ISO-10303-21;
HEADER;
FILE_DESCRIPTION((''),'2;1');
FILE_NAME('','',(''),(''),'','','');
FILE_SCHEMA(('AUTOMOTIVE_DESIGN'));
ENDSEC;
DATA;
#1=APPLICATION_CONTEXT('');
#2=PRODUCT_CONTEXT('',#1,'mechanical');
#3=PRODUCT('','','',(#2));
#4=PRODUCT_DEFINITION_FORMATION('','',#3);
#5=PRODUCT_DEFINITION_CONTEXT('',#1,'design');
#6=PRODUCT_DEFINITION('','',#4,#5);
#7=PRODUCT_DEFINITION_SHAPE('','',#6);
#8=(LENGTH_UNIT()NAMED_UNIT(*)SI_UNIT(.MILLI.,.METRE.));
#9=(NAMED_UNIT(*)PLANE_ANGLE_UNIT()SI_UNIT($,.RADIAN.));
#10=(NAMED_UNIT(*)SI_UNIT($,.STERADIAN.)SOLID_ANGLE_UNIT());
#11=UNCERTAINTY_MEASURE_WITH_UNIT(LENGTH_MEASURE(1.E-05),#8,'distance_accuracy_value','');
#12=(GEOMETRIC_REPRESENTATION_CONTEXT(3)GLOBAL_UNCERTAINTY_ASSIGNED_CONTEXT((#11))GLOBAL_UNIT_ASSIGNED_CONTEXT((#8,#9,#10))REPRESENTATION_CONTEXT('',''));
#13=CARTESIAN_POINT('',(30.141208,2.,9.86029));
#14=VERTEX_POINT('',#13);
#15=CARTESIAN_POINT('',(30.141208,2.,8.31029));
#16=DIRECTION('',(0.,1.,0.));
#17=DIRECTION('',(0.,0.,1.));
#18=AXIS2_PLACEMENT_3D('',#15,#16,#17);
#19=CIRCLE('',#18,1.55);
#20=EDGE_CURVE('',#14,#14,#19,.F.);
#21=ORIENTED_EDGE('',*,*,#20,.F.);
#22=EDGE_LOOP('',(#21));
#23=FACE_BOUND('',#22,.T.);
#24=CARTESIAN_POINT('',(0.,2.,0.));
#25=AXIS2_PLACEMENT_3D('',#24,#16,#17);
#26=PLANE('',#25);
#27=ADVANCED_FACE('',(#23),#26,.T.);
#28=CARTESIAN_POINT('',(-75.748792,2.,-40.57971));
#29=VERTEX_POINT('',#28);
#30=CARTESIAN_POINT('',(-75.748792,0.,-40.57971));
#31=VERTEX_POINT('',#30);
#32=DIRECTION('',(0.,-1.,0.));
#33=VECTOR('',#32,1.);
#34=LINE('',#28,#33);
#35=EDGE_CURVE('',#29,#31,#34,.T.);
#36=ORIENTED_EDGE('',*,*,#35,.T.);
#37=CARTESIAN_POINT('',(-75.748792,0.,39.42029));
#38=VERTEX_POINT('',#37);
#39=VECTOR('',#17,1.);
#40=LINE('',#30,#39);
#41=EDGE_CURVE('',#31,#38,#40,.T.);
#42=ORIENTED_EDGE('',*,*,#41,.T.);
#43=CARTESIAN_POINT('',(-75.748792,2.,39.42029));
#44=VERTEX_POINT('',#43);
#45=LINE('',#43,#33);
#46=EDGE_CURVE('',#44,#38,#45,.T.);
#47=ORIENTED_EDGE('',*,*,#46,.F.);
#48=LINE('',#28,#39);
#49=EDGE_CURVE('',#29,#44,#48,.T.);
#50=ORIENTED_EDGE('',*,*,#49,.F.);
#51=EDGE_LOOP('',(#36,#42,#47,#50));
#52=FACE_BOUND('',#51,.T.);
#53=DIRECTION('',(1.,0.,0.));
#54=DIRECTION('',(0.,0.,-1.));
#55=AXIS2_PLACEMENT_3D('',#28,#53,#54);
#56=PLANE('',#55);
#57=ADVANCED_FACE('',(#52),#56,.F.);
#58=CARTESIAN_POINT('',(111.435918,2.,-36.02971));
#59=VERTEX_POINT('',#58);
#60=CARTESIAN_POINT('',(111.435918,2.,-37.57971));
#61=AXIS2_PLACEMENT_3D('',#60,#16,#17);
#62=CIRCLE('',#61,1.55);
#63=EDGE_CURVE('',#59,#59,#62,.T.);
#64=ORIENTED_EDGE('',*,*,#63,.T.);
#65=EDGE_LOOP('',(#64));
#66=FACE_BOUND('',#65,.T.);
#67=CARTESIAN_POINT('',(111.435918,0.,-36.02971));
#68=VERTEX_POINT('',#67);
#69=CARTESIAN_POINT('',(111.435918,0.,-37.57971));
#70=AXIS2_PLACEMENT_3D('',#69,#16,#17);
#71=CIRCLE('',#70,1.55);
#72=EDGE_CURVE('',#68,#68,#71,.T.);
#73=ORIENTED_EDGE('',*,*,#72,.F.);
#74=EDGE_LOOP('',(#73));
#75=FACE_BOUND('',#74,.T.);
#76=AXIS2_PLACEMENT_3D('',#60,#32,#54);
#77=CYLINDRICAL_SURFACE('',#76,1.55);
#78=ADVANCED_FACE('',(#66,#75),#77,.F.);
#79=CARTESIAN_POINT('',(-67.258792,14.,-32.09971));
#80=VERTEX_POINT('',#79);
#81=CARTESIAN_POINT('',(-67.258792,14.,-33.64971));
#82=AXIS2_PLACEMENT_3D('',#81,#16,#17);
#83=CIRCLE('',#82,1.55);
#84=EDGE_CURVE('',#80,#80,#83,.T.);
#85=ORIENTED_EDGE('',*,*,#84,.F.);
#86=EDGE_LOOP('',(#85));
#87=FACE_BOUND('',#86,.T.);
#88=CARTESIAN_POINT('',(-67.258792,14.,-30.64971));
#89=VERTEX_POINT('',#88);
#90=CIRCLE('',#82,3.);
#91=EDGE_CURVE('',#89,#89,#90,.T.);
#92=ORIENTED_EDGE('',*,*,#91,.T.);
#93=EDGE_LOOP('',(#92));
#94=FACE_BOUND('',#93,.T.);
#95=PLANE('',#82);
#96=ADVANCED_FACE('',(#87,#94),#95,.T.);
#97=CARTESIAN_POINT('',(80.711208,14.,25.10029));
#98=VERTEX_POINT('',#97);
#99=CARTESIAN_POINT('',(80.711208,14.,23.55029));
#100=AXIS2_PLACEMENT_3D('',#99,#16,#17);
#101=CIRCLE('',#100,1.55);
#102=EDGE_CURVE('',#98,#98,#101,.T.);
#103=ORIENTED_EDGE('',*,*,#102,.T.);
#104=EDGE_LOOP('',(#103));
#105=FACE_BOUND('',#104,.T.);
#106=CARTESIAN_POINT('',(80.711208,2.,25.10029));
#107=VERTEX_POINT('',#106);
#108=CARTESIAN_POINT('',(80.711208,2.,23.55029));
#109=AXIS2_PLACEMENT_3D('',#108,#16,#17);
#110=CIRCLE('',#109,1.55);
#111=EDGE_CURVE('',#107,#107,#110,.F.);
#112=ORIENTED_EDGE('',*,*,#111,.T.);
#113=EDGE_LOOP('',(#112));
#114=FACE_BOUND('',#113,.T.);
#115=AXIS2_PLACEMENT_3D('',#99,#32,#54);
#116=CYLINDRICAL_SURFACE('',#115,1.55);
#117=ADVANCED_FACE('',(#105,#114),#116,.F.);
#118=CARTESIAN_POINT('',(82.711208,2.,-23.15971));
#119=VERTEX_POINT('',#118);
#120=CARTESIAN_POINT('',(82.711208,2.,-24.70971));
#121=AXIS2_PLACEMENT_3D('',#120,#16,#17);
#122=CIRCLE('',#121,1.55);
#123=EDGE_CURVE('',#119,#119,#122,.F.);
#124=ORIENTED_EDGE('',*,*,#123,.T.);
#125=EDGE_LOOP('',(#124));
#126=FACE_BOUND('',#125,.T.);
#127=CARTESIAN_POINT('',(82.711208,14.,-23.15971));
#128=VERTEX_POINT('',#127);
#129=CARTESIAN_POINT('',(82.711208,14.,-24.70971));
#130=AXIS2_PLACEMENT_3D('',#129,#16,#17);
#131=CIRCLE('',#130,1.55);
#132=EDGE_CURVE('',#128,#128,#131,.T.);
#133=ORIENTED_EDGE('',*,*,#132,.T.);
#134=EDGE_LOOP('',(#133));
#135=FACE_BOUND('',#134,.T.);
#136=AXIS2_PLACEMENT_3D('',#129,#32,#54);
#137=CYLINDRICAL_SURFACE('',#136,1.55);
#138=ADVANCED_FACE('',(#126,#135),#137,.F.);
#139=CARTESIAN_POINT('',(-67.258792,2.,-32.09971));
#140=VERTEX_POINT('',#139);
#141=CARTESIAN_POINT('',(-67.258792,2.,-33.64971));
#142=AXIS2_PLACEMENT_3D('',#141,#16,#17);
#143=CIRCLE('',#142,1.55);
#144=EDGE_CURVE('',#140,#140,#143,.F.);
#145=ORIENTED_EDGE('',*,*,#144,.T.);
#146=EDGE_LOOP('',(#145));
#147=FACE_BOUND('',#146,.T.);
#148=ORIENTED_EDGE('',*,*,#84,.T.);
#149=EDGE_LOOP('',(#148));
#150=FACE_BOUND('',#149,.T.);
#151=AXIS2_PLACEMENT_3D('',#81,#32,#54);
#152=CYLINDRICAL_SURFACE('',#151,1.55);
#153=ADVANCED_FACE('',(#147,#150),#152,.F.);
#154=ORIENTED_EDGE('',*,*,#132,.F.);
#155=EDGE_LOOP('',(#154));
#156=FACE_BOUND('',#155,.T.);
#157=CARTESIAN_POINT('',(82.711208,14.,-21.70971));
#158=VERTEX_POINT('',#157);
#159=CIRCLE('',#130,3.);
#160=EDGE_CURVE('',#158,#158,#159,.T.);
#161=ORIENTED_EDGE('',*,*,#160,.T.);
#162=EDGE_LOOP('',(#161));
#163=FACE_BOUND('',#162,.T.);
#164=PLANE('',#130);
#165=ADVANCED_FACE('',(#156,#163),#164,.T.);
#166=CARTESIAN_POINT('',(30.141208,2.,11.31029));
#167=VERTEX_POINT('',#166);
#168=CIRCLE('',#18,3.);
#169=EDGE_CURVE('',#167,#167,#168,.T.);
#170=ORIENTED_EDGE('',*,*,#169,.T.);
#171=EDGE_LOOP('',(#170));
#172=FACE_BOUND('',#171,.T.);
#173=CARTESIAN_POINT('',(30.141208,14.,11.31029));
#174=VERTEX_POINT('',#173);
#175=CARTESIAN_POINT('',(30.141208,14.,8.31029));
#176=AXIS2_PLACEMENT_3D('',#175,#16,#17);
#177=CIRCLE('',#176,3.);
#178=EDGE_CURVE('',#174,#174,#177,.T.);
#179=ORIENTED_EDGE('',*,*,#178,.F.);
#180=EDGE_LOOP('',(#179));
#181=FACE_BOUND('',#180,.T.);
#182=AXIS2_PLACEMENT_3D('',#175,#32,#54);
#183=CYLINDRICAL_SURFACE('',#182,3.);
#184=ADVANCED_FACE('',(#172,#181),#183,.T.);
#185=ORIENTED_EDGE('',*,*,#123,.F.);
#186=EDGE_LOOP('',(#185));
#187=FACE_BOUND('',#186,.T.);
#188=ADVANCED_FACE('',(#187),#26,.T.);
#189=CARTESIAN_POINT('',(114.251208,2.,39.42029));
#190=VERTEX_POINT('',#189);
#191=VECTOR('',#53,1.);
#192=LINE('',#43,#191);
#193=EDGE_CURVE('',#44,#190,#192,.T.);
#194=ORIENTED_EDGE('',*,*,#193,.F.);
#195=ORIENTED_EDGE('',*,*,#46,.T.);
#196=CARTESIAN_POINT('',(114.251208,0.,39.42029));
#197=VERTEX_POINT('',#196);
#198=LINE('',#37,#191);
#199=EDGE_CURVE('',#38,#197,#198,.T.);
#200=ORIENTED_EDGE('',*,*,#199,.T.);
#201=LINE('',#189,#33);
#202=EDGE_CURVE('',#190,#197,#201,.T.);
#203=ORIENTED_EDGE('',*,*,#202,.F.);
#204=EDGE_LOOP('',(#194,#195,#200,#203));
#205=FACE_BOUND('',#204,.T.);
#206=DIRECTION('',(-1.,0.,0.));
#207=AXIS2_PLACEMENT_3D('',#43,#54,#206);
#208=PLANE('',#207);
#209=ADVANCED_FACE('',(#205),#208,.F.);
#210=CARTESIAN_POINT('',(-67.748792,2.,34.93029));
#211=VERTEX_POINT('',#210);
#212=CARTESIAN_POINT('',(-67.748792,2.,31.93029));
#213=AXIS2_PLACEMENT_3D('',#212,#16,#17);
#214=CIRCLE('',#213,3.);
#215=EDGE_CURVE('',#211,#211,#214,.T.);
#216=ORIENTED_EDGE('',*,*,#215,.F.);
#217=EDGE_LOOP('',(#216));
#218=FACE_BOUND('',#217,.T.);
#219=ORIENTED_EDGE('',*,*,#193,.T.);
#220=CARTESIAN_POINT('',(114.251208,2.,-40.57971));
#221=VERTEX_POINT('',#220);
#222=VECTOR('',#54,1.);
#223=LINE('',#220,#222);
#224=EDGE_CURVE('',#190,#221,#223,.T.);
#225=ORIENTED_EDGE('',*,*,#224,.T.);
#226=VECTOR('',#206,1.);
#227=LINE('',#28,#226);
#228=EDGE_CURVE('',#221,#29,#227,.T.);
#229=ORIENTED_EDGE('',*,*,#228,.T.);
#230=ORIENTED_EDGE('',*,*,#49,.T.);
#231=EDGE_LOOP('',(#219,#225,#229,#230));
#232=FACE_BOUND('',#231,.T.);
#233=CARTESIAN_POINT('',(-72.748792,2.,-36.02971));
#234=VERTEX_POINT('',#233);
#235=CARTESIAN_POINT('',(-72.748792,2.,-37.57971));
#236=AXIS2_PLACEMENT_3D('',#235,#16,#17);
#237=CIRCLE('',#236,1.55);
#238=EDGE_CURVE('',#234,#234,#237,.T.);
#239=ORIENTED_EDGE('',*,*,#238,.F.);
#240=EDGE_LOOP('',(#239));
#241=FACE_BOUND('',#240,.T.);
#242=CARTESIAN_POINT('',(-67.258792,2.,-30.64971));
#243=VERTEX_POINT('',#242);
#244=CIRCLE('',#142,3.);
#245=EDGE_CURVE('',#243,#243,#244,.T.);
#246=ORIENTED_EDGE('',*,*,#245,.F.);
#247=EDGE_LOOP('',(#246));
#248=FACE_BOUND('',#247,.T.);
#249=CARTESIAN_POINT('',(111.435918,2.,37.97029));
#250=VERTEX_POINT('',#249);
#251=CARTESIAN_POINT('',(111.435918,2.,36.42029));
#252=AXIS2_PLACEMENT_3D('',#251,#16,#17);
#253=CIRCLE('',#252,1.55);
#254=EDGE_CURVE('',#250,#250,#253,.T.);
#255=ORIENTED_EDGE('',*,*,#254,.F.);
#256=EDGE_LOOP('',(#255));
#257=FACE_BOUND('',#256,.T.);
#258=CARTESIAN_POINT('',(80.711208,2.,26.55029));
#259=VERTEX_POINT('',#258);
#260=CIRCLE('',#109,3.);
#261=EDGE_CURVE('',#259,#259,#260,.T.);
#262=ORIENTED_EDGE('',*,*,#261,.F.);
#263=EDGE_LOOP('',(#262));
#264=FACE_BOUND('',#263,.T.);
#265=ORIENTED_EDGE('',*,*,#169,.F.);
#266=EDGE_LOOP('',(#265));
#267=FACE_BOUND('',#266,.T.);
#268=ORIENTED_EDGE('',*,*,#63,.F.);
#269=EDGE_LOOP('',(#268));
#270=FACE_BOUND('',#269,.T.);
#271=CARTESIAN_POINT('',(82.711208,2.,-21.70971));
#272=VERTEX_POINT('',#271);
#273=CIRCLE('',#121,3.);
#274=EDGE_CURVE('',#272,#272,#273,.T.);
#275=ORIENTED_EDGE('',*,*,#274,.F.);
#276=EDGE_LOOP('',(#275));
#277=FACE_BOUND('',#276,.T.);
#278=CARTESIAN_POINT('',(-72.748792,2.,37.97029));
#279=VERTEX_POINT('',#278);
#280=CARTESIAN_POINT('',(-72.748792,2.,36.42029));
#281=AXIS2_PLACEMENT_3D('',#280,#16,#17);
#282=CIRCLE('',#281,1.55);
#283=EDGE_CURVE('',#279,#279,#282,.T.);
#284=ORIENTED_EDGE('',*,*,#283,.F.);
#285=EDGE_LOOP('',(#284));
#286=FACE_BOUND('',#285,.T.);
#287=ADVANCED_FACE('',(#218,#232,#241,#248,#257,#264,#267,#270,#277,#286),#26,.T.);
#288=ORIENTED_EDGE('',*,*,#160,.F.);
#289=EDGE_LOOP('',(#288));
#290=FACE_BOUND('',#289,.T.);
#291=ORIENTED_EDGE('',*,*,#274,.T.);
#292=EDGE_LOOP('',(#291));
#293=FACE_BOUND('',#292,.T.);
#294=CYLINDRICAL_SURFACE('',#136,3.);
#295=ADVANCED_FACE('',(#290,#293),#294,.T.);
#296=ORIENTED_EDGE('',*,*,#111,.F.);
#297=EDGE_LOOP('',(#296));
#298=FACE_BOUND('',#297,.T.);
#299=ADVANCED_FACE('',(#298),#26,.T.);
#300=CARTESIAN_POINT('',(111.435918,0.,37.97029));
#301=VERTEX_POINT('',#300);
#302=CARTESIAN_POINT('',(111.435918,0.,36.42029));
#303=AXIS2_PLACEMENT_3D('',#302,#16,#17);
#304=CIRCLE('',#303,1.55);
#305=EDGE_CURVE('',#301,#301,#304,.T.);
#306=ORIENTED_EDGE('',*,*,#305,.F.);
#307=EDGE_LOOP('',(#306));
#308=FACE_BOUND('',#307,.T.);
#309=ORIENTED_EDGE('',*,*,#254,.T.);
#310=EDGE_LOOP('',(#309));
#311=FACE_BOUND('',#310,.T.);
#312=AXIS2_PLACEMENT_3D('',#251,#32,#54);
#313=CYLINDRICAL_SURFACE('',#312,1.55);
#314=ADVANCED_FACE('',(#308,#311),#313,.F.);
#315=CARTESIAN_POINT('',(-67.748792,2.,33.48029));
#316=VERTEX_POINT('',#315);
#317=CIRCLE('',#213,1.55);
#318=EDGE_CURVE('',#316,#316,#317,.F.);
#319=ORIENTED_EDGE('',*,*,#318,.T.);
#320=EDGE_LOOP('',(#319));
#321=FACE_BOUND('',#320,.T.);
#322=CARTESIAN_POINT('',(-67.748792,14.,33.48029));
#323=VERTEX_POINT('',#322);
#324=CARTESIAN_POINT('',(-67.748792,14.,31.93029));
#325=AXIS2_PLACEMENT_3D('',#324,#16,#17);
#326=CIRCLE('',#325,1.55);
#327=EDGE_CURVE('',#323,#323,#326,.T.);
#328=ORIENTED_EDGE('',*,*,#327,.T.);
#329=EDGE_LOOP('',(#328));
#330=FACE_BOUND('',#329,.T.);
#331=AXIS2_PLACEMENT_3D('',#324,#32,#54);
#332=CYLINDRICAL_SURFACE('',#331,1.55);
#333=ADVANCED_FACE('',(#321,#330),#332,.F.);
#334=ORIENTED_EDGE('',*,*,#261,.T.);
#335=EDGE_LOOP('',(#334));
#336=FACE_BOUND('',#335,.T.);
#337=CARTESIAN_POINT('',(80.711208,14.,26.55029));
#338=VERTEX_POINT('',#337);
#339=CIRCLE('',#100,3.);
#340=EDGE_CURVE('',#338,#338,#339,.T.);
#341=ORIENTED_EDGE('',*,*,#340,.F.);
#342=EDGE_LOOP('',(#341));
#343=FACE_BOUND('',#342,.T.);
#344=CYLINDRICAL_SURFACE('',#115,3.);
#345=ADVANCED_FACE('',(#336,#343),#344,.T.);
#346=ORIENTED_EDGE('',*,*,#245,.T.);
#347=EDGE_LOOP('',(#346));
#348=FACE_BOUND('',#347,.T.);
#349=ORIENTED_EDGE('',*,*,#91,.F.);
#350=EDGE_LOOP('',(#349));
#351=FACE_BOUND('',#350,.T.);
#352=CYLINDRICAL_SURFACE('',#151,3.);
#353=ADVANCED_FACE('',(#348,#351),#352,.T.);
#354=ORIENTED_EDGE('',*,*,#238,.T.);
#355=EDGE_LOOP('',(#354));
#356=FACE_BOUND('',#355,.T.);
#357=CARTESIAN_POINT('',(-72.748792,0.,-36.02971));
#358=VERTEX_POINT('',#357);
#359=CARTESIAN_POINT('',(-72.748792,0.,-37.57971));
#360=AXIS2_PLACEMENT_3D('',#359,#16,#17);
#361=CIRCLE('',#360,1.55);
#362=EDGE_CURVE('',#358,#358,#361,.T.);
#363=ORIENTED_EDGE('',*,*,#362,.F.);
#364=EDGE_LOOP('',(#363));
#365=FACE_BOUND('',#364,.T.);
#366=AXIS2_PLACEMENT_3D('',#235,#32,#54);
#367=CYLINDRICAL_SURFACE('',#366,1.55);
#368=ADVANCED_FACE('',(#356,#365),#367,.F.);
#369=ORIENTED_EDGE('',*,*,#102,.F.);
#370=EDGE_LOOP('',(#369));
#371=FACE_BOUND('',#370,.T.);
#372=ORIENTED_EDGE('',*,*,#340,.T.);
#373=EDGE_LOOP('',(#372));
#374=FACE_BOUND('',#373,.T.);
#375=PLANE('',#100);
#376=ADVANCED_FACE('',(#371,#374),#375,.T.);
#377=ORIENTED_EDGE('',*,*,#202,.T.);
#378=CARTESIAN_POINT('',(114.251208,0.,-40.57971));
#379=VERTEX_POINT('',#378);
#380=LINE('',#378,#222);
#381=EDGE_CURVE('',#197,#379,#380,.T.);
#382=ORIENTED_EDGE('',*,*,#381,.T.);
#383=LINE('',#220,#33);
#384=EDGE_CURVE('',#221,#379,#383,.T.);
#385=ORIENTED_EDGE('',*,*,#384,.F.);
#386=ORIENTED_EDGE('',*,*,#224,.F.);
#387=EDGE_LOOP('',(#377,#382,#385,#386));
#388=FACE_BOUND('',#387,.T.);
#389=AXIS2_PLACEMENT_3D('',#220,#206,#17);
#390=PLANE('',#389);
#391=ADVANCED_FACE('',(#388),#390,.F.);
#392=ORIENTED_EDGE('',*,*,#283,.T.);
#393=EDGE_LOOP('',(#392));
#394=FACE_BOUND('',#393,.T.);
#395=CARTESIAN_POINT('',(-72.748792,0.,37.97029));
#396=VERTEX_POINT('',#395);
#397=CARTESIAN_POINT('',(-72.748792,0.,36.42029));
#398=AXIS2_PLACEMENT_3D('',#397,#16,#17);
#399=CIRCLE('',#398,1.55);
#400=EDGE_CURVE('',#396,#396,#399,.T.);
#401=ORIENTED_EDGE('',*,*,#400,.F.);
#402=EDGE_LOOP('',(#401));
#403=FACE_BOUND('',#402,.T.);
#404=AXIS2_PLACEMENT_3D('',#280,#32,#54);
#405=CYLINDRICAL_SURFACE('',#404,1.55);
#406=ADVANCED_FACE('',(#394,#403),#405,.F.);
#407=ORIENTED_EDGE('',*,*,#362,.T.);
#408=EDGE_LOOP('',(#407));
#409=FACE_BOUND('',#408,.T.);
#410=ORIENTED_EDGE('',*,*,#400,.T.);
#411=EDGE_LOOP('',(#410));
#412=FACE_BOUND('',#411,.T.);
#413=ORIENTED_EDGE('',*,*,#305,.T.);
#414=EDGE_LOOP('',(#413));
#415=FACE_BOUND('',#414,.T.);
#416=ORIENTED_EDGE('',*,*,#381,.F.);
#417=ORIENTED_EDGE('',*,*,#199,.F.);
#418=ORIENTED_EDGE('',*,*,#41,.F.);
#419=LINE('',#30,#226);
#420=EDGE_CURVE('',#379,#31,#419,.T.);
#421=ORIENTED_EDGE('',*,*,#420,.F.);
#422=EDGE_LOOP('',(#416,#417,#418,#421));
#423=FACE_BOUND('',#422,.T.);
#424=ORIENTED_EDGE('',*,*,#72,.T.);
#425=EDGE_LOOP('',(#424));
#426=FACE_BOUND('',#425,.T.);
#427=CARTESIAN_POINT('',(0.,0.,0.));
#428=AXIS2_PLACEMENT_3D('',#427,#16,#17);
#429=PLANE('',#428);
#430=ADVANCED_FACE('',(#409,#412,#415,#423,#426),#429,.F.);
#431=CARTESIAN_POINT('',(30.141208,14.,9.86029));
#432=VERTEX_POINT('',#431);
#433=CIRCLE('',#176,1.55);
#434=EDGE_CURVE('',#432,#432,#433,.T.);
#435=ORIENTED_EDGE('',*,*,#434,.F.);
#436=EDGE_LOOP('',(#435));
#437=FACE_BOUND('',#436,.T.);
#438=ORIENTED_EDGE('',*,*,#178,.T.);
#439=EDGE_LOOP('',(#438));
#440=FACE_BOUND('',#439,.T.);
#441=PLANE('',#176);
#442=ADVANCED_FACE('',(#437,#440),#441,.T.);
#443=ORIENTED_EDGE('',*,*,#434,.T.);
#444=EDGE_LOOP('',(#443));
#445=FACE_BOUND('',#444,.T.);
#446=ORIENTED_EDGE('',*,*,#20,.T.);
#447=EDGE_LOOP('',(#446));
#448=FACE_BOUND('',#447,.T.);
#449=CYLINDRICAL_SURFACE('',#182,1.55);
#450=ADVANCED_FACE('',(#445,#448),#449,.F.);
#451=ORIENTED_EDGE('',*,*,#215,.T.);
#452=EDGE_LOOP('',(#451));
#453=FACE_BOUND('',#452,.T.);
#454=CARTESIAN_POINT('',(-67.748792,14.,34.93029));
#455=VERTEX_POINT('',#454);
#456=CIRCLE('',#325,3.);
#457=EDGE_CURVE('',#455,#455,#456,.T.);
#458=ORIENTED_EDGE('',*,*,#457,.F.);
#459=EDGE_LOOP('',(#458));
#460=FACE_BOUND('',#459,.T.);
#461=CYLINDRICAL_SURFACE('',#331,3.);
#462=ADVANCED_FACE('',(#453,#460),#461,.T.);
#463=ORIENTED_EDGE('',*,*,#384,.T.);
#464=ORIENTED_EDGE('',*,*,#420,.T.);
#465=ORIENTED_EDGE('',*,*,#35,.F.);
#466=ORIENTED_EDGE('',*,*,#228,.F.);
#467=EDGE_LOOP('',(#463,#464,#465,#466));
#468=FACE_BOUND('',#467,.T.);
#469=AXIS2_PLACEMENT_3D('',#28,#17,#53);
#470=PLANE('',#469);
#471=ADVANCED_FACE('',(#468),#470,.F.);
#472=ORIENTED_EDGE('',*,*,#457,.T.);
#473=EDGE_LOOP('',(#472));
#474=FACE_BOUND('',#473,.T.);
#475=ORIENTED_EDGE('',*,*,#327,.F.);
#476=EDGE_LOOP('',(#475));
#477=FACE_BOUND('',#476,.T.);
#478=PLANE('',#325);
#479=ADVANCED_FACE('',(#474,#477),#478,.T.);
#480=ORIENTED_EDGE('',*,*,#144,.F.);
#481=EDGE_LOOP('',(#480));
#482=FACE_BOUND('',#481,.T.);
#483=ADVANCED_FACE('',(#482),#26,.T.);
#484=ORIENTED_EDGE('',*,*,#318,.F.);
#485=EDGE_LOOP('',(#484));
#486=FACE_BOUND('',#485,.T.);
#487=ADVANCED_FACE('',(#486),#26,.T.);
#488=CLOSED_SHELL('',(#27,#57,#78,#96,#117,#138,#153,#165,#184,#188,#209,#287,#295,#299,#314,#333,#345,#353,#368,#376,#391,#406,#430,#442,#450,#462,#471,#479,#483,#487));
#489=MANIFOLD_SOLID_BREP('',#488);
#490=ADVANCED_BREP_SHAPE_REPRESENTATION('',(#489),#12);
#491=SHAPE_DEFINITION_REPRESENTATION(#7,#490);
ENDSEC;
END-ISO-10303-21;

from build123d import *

# Parameters (mm, degrees)
SKETCH1_W           = 190
SKETCH1_H           = 80
SKETCH1_R           = 1.55
BOSS_EXTRUDE1_DEPTH = 2
SKETCH2_R           = 3
SKETCH2_R_2         = 1.55
BOSS_EXTRUDE2_DEPTH = 12


with BuildPart() as part:
    # Sketch1 → Boss-Extrude1 (new body)
    with BuildSketch(Plane(origin=(0, 0, 0), x_dir=(1, 0, 0), z_dir=(0, 1, 0))):
        with Locations((19.251207729, 0.579710145)):
            Rectangle(SKETCH1_W, SKETCH1_H)
        with Locations(Location((-72.748792271, 37.579710145, 0), (0, 0, 270))):
            Circle(SKETCH1_R, mode=Mode.SUBTRACT)
        with Locations(Location((111.435917928, 37.579710145, 0), (0, 0, 270))):
            Circle(SKETCH1_R, mode=Mode.SUBTRACT)
        with Locations(Location((111.435917928, -36.420289855, 0), (0, 0, 270))):
            Circle(SKETCH1_R, mode=Mode.SUBTRACT)
        with Locations(Location((-72.748792271, -36.420289855, 0), (0, 0, 270))):
            Circle(SKETCH1_R, mode=Mode.SUBTRACT)
    extrude(amount=BOSS_EXTRUDE1_DEPTH)

    # Sketch2 → Boss-Extrude2 (add)
    # profile 1 of 5: a face of its own
    with BuildSketch(Plane(origin=(0, 2, 0), x_dir=(1, 0, 0), z_dir=(0, 1, 0))):
        with Locations(Location((82.711207729, 24.709710145, 0), (0, 0, 270))):
            Circle(SKETCH2_R)
        with Locations(Location((82.711207729, 24.709710145, 0), (0, 0, 270))):
            Circle(SKETCH2_R_2, mode=Mode.SUBTRACT)
    # profile 2 of 5: a face of its own
    with BuildSketch(Plane(origin=(0, 2, 0), x_dir=(1, 0, 0), z_dir=(0, 1, 0))):
        with Locations(Location((80.711207729, -23.550289855, 0), (0, 0, 270))):
            Circle(SKETCH2_R)
        with Locations(Location((80.711207729, -23.550289855, 0), (0, 0, 270))):
            Circle(SKETCH2_R_2, mode=Mode.SUBTRACT)
    # profile 3 of 5: a face of its own
    with BuildSketch(Plane(origin=(0, 2, 0), x_dir=(1, 0, 0), z_dir=(0, 1, 0))):
        with Locations(Location((30.141207729, -8.310289855, 0), (0, 0, 270))):
            Circle(SKETCH2_R)
        with Locations(Location((30.141207729, -8.310289855, 0), (0, 0, 270))):
            Circle(SKETCH2_R_2, mode=Mode.SUBTRACT)
    # profile 4 of 5: a face of its own
    with BuildSketch(Plane(origin=(0, 2, 0), x_dir=(1, 0, 0), z_dir=(0, 1, 0))):
        with Locations(Location((-67.258792271, 33.649710145, 0), (0, 0, 270))):
            Circle(SKETCH2_R)
        with Locations(Location((-67.258792271, 33.649710145, 0), (0, 0, 270))):
            Circle(SKETCH2_R_2, mode=Mode.SUBTRACT)
    # profile 5 of 5: a face of its own
    with BuildSketch(Plane(origin=(0, 2, 0), x_dir=(1, 0, 0), z_dir=(0, 1, 0))):
        with Locations(Location((-67.748792271, -31.930289855, 0), (0, 0, 270))):
            Circle(SKETCH2_R)
        with Locations(Location((-67.748792271, -31.930289855, 0), (0, 0, 270))):
            Circle(SKETCH2_R_2, mode=Mode.SUBTRACT)
    extrude(amount=BOSS_EXTRUDE2_DEPTH)


solid = part.part
